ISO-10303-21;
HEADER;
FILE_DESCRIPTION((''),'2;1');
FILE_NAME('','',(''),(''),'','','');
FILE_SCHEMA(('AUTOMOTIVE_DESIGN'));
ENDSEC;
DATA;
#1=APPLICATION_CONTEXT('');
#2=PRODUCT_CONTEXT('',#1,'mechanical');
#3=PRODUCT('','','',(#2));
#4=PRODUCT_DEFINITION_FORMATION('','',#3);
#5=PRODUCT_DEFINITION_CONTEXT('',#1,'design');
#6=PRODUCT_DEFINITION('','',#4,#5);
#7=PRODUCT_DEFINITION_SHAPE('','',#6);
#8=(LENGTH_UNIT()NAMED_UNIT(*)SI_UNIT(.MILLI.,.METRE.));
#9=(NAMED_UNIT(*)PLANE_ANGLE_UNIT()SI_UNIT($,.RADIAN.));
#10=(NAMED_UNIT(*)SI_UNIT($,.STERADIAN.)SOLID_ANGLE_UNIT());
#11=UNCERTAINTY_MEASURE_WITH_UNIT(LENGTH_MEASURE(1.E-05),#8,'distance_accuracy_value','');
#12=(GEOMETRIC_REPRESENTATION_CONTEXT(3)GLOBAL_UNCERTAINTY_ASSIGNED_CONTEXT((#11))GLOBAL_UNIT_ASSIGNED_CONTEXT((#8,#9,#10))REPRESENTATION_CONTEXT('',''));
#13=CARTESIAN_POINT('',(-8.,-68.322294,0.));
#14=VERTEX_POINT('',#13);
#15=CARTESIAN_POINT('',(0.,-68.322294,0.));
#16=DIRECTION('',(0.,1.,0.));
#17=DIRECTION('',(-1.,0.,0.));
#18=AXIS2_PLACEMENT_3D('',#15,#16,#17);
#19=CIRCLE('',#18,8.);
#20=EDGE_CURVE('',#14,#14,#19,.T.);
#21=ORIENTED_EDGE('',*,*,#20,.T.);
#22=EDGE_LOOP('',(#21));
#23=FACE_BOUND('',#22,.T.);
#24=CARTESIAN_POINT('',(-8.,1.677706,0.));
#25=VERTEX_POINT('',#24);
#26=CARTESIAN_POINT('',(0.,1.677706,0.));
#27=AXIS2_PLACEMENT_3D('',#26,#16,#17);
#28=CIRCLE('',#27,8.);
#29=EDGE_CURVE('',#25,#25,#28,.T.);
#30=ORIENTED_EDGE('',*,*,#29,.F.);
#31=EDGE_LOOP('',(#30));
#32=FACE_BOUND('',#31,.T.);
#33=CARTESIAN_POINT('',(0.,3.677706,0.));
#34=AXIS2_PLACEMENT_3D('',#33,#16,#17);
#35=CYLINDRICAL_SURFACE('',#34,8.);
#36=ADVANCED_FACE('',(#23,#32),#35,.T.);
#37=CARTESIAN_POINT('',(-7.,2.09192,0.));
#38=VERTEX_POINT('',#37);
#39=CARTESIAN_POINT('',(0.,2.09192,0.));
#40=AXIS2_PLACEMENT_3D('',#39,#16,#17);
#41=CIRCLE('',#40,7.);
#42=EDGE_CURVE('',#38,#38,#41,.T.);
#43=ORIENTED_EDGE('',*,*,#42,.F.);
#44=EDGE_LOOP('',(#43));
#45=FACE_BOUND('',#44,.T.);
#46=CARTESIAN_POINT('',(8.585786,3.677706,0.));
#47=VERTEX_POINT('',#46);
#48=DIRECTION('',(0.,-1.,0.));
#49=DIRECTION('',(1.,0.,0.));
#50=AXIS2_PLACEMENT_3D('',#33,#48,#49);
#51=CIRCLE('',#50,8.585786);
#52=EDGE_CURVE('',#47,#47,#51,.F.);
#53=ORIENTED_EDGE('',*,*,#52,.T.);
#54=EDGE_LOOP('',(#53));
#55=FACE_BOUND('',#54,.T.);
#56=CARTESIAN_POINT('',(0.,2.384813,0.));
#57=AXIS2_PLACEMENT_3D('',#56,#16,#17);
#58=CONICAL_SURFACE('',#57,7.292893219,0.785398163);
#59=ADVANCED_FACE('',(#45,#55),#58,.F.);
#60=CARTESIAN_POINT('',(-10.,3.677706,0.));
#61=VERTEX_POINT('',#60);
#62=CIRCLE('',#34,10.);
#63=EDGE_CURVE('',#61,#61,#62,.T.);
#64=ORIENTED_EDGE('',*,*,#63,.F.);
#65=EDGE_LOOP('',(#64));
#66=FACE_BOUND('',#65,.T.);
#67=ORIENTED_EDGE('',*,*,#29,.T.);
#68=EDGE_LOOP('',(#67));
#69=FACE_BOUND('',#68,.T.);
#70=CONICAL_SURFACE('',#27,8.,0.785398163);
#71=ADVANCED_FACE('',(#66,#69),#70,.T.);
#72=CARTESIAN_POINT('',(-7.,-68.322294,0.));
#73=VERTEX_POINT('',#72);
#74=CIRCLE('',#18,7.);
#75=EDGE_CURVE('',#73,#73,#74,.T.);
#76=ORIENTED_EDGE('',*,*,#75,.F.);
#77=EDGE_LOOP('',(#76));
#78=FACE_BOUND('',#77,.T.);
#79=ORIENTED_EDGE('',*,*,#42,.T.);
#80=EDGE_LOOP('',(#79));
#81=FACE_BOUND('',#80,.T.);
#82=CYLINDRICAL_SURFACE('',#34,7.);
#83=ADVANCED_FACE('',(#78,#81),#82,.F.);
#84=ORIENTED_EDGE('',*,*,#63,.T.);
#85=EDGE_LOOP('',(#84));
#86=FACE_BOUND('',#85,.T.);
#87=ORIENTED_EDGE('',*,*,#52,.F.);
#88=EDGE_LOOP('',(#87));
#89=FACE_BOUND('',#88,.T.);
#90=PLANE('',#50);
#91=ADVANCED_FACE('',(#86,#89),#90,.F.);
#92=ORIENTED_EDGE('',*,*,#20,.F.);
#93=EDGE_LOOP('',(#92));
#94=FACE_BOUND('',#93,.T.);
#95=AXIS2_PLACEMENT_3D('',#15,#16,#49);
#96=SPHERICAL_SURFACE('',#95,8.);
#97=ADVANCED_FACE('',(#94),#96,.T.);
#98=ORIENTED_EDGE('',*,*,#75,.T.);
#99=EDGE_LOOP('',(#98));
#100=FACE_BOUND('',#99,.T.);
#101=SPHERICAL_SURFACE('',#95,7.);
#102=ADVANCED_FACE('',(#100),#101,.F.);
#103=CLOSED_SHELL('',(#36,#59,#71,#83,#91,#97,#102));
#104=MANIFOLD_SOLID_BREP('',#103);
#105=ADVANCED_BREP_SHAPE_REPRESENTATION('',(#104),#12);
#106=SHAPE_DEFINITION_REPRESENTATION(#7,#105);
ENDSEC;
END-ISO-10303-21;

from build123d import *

# Parameters (mm, degrees)
SHELL8_T = -1


with BuildPart() as part:
    # Sketch1 → Revolve2 (revolve)
    with BuildSketch(Plane.XY):
        with BuildLine():
            Line((0, 3.677706493), (10, 3.677706493))
            Line((10, 3.677706493), (8, 1.677706493))
            Line((8, 1.677706493), (8, -68.322293507))
            ThreePointArc((8, -68.322293507), (5.656854249, -73.979147757), (0, -76.322293507))
            Line((0, -76.322293507), (0, 3.677706493))
        make_face()
    revolve(axis=Axis((0, 3.677706493, 0), (0, -1, 0)))

    # Shell8
    shell8_openings = [part.faces().sort_by_distance(p)[0] for p in [
        (-10, 3.677706493, 0),
    ]]
    offset(amount=SHELL8_T, openings=shell8_openings, kind=Kind.INTERSECTION)


solid = part.part
